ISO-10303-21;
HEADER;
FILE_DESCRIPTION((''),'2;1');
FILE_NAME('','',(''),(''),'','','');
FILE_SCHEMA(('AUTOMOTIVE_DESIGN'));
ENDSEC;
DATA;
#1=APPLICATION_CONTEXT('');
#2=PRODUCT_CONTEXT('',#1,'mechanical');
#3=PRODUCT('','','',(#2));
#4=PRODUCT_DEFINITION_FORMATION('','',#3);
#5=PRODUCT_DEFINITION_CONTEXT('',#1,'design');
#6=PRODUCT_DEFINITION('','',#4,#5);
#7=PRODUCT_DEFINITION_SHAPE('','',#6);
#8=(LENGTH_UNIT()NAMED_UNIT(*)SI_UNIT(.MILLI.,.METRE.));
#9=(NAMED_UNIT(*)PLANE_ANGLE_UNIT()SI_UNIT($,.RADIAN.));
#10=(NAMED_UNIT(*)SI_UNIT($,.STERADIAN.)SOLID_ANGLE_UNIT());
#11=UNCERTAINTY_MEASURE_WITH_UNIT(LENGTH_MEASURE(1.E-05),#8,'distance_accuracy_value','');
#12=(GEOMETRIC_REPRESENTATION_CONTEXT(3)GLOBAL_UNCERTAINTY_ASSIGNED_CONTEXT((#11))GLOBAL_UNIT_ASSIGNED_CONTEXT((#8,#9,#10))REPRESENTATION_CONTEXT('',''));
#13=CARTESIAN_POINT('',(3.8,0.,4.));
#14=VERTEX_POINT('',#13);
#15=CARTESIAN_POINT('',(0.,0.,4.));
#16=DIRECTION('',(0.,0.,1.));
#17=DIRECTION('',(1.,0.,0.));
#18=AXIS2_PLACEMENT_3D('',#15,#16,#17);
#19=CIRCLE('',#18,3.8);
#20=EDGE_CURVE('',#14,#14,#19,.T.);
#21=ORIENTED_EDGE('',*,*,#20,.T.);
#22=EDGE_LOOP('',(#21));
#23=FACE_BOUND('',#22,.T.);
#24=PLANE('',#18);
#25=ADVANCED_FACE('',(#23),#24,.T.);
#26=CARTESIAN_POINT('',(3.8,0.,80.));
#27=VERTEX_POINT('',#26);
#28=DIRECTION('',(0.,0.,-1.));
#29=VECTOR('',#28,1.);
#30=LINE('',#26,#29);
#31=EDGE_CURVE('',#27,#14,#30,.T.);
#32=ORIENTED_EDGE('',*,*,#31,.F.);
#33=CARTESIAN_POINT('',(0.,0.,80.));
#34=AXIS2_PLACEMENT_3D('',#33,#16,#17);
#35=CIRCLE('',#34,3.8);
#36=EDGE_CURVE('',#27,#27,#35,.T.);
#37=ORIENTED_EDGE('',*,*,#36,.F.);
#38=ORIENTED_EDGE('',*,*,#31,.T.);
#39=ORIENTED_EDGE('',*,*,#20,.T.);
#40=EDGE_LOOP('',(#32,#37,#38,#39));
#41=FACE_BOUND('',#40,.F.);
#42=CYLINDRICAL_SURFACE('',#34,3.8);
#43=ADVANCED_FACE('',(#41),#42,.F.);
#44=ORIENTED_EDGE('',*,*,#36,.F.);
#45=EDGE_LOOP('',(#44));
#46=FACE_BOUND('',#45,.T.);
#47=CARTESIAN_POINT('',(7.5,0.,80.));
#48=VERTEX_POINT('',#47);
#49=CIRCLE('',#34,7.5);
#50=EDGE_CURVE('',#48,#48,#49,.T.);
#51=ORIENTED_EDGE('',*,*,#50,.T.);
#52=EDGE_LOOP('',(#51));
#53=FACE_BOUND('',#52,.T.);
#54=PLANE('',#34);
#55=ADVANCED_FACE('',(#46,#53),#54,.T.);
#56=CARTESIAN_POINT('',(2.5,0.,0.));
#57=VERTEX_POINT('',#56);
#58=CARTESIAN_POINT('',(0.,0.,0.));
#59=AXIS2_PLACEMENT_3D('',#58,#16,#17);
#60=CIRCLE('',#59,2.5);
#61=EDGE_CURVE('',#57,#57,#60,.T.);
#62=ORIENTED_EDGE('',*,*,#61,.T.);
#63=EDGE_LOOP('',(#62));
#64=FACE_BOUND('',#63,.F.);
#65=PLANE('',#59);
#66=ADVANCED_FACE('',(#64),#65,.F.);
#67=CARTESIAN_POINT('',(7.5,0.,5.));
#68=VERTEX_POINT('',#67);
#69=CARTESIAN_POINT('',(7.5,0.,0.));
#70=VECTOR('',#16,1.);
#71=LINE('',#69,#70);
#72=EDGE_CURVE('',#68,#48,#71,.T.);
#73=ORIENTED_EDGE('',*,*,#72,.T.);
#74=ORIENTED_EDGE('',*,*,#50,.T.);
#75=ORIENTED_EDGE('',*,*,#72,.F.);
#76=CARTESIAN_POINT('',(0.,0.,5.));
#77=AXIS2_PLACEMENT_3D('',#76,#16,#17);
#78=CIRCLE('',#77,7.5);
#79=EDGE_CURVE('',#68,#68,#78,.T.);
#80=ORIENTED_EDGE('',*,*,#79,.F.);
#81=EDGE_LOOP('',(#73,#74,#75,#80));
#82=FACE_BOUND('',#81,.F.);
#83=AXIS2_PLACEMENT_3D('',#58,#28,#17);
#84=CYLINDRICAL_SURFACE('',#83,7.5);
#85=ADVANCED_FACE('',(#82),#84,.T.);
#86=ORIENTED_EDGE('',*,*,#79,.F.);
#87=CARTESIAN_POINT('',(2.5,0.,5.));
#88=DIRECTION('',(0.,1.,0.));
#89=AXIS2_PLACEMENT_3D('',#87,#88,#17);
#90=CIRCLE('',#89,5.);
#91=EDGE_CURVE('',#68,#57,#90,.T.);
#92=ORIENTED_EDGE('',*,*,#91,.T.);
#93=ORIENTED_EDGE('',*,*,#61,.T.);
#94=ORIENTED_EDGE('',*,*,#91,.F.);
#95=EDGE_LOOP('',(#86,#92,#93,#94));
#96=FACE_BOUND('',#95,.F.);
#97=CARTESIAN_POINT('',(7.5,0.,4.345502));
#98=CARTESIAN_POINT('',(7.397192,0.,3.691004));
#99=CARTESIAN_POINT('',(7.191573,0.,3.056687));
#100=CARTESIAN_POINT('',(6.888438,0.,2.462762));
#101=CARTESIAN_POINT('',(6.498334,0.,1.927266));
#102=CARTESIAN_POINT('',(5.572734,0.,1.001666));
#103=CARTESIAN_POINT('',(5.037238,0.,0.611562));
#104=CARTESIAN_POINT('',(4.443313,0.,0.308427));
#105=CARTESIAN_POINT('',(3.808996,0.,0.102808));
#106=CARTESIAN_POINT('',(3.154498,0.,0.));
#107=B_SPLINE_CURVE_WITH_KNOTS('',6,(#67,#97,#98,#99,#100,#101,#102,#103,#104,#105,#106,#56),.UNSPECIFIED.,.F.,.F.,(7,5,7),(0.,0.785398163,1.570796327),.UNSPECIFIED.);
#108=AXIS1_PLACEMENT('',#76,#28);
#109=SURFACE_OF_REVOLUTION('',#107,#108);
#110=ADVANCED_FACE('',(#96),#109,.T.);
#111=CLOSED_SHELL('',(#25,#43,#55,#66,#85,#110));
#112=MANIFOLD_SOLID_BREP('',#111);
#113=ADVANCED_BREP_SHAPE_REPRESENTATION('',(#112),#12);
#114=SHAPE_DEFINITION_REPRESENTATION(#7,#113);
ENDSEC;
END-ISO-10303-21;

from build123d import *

# Parameters (mm, degrees)
F0_R     = 7.5
F1_DEPTH = 80
F2_R     = 3.8
F3_DEPTH = 76
F4_R     = 5


with BuildPart() as f1:
    # F0 (on Top) → F1 (new body)
    with BuildSketch(Plane.XY):
        Circle(F0_R)
    extrude(amount=F1_DEPTH)

    # F2 (on face) → F3 (cut)
    with BuildSketch(Plane.XY.offset(80)):
        Circle(F2_R)
    extrude(amount=-F3_DEPTH, mode=Mode.SUBTRACT)

    # F4
    f4_edges = [f1.edges().sort_by_distance(p)[0] for p in [
        (-7.5, 0, 0),
    ]]
    fillet(f4_edges, radius=F4_R)


solid = f1.part
